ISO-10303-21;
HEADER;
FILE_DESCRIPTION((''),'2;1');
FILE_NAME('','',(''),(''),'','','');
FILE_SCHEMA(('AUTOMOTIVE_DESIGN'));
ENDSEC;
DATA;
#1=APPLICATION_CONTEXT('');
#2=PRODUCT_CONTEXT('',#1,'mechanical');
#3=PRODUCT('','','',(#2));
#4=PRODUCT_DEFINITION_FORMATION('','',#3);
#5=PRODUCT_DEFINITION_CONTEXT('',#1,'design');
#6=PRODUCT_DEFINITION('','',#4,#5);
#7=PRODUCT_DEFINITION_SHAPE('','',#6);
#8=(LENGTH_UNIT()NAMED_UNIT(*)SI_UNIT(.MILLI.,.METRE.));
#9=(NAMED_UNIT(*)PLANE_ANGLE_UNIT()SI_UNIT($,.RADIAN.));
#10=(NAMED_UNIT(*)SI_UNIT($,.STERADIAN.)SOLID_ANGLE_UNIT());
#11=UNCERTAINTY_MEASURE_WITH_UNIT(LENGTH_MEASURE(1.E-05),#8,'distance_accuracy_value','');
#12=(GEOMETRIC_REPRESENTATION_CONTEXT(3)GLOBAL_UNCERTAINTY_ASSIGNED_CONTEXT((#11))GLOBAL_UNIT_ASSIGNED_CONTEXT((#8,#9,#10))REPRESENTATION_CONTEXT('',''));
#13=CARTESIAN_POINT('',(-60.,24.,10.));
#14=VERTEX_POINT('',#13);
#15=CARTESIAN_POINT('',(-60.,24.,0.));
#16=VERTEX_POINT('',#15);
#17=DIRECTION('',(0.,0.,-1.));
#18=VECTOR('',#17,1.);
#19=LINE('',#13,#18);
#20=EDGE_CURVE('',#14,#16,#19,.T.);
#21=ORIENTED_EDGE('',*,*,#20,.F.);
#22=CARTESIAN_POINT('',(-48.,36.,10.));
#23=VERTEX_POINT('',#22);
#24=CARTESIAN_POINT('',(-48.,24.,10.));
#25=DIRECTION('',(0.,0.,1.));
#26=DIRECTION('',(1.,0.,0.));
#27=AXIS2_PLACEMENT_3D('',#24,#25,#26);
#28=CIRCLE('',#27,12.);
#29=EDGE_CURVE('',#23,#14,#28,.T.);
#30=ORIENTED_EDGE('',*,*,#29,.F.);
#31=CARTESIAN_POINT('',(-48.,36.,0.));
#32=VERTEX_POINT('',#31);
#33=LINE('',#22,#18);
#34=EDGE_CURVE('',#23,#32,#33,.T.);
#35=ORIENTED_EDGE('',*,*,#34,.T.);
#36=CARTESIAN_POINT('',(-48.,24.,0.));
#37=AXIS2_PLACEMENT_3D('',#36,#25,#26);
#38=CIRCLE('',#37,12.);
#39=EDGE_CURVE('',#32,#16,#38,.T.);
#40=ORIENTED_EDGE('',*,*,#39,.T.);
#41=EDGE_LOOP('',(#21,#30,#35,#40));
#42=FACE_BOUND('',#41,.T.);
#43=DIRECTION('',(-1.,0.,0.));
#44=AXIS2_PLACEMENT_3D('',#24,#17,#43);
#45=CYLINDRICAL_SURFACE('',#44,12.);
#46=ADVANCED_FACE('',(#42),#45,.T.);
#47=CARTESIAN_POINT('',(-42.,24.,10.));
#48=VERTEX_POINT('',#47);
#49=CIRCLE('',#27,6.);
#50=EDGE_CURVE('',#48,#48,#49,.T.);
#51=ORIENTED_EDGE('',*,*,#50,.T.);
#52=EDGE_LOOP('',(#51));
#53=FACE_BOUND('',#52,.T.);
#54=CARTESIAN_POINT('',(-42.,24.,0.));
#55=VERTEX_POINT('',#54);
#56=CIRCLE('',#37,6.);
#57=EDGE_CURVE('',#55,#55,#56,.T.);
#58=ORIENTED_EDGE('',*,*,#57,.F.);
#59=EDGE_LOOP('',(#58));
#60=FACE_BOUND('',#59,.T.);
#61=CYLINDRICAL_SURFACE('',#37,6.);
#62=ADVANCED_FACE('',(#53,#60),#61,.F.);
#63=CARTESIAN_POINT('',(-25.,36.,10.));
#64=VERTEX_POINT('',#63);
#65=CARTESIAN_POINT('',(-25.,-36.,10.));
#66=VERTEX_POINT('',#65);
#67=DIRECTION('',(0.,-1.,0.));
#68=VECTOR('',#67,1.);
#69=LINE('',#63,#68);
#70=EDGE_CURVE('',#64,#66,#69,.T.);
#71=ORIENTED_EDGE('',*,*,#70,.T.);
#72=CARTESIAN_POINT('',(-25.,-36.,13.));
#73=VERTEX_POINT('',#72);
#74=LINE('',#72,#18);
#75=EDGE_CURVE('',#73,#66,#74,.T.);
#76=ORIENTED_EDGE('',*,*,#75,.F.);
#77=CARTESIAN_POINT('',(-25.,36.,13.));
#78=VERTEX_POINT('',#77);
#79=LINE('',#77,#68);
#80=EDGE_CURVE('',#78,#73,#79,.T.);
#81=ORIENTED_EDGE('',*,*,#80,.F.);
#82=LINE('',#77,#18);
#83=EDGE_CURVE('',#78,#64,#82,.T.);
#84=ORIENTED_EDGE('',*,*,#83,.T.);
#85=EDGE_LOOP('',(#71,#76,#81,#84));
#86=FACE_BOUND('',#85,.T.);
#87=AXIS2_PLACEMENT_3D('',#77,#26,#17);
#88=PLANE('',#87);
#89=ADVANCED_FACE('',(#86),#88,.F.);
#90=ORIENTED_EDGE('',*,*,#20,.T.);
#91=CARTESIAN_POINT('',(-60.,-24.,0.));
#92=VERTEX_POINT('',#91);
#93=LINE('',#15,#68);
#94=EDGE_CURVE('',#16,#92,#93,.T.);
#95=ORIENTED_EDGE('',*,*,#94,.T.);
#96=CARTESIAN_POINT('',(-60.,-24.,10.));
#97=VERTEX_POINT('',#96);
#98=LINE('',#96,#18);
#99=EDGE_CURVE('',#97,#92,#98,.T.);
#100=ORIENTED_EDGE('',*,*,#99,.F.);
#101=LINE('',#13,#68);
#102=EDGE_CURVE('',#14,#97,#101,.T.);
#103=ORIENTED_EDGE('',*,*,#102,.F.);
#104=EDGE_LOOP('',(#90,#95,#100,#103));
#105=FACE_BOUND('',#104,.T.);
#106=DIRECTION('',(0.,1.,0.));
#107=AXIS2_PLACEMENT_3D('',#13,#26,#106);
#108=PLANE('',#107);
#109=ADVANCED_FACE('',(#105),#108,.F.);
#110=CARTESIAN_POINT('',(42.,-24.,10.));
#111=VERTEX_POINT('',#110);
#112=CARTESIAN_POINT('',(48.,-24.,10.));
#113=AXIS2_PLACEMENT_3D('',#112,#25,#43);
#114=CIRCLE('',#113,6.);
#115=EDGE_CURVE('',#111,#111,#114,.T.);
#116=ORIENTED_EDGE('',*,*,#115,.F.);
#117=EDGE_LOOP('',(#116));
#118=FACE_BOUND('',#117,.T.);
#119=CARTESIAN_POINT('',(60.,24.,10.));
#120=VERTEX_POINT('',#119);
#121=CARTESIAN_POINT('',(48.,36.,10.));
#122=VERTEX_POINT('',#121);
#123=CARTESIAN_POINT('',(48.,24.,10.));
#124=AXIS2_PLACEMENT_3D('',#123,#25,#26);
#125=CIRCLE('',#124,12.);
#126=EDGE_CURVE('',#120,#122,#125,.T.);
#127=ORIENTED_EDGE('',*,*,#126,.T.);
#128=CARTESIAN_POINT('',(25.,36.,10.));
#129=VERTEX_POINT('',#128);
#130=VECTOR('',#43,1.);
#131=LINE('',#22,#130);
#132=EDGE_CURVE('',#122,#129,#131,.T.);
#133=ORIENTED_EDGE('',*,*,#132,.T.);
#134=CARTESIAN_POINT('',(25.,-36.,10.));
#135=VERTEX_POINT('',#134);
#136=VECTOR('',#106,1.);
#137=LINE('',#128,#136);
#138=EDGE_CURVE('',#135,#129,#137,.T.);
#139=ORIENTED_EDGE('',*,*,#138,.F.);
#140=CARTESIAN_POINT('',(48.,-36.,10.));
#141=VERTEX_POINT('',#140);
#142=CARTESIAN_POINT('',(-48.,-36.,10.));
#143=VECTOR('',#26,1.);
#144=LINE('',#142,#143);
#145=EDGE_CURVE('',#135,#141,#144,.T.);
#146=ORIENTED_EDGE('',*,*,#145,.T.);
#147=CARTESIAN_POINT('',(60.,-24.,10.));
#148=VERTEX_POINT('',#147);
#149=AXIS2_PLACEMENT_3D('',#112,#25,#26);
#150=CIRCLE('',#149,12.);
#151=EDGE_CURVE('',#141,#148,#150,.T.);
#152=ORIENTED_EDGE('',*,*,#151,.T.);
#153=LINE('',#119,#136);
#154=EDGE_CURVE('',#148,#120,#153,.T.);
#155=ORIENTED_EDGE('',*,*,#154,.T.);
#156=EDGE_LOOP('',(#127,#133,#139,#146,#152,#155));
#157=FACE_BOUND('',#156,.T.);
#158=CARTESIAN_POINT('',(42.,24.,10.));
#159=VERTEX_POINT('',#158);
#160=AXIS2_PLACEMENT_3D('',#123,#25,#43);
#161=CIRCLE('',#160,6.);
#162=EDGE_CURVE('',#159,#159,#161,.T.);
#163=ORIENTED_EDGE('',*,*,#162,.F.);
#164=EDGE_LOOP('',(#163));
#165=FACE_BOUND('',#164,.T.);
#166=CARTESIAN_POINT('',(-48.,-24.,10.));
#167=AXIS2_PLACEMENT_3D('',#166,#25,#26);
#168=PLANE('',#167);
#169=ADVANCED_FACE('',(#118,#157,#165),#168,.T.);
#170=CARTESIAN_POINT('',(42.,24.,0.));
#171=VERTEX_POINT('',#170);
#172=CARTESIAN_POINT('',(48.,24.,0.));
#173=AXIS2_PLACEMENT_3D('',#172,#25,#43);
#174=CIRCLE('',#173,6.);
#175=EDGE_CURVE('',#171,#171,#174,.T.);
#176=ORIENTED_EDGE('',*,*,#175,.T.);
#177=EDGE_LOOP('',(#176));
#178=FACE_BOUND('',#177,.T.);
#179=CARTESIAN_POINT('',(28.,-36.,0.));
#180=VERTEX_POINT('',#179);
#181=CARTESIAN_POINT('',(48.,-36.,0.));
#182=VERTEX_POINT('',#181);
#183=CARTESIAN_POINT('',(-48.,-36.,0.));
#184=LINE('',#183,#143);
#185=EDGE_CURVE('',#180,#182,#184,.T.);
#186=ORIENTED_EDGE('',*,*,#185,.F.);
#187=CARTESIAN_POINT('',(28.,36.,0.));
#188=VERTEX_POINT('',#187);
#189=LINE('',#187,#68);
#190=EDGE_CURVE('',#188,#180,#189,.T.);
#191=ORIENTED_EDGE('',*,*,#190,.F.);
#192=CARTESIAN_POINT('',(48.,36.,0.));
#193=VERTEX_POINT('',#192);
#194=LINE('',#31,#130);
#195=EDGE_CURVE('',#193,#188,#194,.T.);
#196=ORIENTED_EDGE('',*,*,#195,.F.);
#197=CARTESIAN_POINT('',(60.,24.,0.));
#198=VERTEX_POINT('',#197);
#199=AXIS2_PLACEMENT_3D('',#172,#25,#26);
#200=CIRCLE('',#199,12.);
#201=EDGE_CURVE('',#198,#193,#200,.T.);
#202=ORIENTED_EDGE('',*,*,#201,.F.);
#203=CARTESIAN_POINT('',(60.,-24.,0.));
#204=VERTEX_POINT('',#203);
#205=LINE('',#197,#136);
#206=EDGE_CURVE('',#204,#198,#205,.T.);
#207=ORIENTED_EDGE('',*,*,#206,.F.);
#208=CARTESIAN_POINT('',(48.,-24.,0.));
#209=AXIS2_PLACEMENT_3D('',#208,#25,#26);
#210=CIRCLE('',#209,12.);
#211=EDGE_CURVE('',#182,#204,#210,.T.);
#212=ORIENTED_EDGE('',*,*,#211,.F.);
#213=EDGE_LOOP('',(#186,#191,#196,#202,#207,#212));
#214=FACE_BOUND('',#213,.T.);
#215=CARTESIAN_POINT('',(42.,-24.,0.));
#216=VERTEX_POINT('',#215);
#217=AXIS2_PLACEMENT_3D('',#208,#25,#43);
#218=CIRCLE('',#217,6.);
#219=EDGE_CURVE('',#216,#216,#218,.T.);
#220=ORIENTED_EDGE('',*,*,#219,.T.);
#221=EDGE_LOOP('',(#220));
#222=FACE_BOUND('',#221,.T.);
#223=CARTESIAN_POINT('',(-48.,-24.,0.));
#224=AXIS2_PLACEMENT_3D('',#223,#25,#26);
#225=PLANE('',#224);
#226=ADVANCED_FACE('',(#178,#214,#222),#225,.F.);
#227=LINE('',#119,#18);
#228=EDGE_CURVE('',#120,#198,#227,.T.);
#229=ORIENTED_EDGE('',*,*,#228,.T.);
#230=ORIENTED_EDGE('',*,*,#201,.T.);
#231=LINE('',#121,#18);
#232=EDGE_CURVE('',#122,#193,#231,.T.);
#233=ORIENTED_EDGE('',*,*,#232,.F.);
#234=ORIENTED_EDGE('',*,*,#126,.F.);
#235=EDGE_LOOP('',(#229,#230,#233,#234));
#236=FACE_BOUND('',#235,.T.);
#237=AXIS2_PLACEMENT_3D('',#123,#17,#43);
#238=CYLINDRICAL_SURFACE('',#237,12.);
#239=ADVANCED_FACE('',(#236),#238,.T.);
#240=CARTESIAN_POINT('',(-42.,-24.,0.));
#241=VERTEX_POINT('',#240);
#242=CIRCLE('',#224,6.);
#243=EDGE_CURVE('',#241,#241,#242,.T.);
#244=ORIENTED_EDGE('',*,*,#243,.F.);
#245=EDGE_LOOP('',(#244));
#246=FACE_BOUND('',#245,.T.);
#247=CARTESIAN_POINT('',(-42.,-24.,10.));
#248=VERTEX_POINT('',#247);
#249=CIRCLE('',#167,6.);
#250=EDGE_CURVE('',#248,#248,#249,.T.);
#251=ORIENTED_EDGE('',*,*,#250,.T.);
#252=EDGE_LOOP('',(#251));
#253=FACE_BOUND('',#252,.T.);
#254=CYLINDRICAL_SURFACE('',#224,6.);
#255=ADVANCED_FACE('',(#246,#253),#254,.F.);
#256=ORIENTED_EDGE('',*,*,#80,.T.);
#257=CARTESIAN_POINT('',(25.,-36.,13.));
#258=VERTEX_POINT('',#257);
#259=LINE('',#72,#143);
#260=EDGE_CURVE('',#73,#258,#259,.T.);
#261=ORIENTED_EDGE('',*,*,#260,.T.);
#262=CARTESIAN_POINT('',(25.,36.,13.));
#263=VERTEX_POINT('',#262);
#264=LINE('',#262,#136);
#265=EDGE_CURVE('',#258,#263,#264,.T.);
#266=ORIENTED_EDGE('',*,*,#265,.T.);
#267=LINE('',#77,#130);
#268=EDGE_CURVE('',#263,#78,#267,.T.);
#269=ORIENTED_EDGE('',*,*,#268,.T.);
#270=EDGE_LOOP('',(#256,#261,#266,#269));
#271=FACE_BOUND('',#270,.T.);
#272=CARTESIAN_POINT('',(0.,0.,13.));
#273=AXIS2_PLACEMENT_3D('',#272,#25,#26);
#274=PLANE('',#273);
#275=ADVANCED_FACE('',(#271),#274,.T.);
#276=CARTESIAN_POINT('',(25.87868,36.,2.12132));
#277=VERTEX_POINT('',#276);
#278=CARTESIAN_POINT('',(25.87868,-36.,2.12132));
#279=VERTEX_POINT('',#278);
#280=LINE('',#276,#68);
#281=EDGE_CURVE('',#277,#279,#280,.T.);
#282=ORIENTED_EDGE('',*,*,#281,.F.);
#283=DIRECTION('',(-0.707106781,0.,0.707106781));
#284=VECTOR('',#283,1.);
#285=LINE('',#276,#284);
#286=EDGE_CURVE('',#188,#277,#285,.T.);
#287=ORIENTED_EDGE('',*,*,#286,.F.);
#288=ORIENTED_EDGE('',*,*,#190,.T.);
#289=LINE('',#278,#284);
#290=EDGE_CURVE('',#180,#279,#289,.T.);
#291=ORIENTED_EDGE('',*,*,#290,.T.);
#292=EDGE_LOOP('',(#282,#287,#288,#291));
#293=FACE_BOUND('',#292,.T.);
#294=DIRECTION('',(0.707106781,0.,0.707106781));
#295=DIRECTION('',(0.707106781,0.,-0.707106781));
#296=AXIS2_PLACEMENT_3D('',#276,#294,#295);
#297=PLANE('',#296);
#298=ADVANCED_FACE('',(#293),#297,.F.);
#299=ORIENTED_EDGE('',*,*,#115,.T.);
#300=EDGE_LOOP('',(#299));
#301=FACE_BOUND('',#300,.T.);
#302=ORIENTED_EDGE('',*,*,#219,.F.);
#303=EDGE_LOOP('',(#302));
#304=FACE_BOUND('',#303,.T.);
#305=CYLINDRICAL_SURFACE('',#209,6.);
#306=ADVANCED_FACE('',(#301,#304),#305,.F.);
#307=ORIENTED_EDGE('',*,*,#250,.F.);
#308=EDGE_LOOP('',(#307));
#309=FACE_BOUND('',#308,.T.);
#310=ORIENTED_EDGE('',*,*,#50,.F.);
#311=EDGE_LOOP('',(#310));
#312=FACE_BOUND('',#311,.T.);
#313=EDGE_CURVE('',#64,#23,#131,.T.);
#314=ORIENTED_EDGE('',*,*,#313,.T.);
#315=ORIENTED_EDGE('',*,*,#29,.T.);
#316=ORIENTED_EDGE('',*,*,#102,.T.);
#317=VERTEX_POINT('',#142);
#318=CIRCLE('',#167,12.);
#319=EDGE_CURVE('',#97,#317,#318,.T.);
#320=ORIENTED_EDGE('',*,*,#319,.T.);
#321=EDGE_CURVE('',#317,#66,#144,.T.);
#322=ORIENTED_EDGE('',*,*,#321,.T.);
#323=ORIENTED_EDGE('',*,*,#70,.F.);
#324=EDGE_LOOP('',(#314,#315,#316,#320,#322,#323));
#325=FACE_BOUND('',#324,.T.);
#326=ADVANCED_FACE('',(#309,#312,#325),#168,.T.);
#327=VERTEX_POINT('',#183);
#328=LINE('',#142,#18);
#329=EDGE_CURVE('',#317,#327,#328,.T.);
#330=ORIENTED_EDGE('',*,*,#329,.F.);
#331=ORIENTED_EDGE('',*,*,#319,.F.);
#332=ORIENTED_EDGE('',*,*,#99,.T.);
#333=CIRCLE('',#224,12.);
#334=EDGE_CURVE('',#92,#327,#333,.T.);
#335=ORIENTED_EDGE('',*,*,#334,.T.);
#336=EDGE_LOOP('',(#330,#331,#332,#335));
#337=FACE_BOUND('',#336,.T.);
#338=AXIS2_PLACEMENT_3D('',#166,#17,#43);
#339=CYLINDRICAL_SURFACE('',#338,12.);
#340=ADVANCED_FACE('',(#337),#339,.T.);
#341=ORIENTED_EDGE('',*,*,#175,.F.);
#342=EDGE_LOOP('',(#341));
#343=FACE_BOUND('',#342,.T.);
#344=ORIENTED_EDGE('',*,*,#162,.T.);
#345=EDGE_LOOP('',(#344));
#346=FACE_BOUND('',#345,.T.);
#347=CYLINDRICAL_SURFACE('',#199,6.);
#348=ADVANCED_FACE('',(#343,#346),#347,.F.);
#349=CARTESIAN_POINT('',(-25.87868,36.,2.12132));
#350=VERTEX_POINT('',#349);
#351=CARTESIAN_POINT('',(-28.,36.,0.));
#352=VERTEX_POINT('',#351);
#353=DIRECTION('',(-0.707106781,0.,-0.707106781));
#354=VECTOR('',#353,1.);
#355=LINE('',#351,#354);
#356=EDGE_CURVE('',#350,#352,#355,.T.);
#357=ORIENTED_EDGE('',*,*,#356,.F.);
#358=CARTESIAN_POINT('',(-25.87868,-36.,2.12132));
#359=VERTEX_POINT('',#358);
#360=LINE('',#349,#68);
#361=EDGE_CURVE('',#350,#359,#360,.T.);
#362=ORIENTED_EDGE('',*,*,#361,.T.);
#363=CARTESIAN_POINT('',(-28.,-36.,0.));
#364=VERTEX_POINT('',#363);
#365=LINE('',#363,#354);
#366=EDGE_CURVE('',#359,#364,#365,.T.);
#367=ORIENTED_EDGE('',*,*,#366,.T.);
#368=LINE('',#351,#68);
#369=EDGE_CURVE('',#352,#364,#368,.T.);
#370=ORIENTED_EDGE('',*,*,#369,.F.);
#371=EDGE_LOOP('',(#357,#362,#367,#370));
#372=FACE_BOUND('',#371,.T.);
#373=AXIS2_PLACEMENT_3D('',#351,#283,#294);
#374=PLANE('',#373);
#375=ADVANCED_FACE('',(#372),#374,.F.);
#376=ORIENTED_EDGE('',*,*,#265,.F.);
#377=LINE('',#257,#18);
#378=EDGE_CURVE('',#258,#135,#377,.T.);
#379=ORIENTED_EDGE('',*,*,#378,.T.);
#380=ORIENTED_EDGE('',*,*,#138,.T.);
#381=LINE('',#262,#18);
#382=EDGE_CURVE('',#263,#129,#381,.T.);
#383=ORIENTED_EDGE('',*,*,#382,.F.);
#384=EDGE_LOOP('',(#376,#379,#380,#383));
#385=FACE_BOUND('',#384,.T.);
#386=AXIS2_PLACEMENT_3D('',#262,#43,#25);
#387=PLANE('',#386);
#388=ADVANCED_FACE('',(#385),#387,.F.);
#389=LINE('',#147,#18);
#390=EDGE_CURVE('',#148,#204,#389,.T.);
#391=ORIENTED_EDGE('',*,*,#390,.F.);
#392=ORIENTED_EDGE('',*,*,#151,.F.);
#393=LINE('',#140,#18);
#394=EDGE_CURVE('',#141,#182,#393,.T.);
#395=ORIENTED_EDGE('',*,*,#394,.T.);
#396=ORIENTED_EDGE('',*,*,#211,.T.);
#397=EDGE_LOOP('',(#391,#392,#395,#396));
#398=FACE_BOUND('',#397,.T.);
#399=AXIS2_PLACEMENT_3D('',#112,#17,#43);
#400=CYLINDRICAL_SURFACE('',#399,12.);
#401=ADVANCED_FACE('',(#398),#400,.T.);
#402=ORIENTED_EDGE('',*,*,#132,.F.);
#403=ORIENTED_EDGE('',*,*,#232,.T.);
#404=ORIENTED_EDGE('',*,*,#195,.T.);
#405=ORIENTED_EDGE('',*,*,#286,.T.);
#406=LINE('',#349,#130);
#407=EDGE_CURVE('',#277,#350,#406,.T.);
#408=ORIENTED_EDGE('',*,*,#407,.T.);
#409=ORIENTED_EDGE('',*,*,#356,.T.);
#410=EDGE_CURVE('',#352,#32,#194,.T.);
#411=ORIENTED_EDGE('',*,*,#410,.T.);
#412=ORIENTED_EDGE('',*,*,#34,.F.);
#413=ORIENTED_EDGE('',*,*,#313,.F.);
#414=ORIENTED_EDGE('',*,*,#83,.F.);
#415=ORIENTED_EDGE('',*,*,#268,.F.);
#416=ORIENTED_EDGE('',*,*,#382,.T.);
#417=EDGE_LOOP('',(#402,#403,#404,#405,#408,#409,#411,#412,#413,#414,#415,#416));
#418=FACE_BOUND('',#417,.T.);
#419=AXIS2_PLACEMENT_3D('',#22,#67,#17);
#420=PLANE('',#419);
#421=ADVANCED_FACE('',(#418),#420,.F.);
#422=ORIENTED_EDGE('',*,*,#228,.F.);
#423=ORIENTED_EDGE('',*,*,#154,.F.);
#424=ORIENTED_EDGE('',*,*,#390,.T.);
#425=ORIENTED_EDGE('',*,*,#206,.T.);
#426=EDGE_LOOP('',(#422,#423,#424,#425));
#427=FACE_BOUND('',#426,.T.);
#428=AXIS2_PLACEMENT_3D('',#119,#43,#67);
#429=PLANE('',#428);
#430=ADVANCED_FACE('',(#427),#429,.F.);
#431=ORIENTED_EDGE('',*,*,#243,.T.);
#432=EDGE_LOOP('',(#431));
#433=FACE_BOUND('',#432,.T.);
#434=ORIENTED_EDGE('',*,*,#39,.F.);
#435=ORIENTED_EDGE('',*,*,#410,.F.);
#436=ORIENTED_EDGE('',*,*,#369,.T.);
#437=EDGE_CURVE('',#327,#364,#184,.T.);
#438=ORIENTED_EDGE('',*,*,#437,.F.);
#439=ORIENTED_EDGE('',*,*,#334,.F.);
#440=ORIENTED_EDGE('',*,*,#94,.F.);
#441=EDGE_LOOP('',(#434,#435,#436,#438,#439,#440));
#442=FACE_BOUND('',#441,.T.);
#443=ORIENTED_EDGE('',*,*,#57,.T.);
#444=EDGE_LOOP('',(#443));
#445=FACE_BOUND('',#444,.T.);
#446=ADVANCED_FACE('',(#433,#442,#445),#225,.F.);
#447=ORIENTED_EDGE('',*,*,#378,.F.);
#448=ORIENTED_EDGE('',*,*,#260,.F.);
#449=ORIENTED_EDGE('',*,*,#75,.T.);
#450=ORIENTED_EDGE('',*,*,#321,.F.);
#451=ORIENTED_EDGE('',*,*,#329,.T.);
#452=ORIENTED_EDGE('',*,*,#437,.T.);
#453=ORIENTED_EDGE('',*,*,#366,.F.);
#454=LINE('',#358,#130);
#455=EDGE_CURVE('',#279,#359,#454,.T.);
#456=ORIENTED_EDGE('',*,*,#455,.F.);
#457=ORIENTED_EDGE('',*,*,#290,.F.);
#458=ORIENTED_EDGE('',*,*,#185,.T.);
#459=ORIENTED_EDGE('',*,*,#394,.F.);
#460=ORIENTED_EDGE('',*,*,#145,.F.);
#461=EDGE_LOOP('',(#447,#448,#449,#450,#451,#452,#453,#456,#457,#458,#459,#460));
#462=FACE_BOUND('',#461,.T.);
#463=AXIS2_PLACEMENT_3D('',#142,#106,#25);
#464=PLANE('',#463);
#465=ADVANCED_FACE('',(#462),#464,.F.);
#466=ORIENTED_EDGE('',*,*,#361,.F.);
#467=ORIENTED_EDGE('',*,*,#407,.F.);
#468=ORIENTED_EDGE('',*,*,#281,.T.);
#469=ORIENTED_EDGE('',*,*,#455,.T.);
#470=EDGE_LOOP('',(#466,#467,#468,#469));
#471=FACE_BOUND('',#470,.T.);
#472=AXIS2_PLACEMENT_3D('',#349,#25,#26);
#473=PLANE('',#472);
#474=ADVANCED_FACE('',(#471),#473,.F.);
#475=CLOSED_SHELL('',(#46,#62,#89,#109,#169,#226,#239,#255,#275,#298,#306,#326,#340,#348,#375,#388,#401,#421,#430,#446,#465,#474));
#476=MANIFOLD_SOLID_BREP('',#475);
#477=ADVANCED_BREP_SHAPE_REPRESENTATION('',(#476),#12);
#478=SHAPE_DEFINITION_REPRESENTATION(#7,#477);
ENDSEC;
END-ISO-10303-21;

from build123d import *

# Parameters (mm, degrees)
BOSS_EXTRUDE1_DEPTH = 10
SKETCH2_R           = 6
CUT_EXTRUDE1_DEPTH  = 71.682388188
CUT_EXTRUDE2_DEPTH  = 95.254973344
SKETCH4_W           = 50
SKETCH4_H           = 72
BOSS_EXTRUDE2_DEPTH = 3


with BuildPart() as part:
    # Sketch1 → Boss-Extrude1 (new body)
    with BuildSketch(Plane.XY):
        with BuildLine():
            Line((-48, 36), (48, 36))
            ThreePointArc((48, 36), (56.485281374, 32.485281374), (60, 24))
            Line((60, 24), (60, -24))
            ThreePointArc((60, -24), (56.485281374, -32.485281374), (48, -36))
            Line((48, -36), (-48, -36))
            ThreePointArc((-48, -36), (-56.485281374, -32.485281374), (-60, -24))
            Line((-60, -24), (-60, 24))
            ThreePointArc((-60, 24), (-56.485281374, 32.485281374), (-48, 36))
        make_face()
    extrude(amount=BOSS_EXTRUDE1_DEPTH)

    # Sketch2 → Cut-Extrude1 (cut, through all)
    with BuildSketch(Plane.XY.offset(10)):
        with Locations((-48, 24)):
            Circle(SKETCH2_R)
        with Locations((-48, -24)):
            Circle(SKETCH2_R)
        with Locations(Location((48, -24, 0), (0, 0, 180))):
            Circle(SKETCH2_R)
        with Locations(Location((48, 24, 0), (0, 0, 180))):
            Circle(SKETCH2_R)
    extrude(amount=-CUT_EXTRUDE1_DEPTH, mode=Mode.SUBTRACT)

    # Sketch3 → Cut-Extrude2 (cut, through all)
    with BuildSketch(Plane.XZ.offset(36)):
        Polygon((-28, 0), (28, 0), (25.878679656, 2.121320344), (-25.878679656, 2.121320344), align=None)
    extrude(amount=-CUT_EXTRUDE2_DEPTH, mode=Mode.SUBTRACT)

    # Sketch4 → Boss-Extrude2 (add)
    with BuildSketch(Plane.XY.offset(10)):
        Rectangle(SKETCH4_W, SKETCH4_H)
    extrude(amount=BOSS_EXTRUDE2_DEPTH)


solid = part.part
